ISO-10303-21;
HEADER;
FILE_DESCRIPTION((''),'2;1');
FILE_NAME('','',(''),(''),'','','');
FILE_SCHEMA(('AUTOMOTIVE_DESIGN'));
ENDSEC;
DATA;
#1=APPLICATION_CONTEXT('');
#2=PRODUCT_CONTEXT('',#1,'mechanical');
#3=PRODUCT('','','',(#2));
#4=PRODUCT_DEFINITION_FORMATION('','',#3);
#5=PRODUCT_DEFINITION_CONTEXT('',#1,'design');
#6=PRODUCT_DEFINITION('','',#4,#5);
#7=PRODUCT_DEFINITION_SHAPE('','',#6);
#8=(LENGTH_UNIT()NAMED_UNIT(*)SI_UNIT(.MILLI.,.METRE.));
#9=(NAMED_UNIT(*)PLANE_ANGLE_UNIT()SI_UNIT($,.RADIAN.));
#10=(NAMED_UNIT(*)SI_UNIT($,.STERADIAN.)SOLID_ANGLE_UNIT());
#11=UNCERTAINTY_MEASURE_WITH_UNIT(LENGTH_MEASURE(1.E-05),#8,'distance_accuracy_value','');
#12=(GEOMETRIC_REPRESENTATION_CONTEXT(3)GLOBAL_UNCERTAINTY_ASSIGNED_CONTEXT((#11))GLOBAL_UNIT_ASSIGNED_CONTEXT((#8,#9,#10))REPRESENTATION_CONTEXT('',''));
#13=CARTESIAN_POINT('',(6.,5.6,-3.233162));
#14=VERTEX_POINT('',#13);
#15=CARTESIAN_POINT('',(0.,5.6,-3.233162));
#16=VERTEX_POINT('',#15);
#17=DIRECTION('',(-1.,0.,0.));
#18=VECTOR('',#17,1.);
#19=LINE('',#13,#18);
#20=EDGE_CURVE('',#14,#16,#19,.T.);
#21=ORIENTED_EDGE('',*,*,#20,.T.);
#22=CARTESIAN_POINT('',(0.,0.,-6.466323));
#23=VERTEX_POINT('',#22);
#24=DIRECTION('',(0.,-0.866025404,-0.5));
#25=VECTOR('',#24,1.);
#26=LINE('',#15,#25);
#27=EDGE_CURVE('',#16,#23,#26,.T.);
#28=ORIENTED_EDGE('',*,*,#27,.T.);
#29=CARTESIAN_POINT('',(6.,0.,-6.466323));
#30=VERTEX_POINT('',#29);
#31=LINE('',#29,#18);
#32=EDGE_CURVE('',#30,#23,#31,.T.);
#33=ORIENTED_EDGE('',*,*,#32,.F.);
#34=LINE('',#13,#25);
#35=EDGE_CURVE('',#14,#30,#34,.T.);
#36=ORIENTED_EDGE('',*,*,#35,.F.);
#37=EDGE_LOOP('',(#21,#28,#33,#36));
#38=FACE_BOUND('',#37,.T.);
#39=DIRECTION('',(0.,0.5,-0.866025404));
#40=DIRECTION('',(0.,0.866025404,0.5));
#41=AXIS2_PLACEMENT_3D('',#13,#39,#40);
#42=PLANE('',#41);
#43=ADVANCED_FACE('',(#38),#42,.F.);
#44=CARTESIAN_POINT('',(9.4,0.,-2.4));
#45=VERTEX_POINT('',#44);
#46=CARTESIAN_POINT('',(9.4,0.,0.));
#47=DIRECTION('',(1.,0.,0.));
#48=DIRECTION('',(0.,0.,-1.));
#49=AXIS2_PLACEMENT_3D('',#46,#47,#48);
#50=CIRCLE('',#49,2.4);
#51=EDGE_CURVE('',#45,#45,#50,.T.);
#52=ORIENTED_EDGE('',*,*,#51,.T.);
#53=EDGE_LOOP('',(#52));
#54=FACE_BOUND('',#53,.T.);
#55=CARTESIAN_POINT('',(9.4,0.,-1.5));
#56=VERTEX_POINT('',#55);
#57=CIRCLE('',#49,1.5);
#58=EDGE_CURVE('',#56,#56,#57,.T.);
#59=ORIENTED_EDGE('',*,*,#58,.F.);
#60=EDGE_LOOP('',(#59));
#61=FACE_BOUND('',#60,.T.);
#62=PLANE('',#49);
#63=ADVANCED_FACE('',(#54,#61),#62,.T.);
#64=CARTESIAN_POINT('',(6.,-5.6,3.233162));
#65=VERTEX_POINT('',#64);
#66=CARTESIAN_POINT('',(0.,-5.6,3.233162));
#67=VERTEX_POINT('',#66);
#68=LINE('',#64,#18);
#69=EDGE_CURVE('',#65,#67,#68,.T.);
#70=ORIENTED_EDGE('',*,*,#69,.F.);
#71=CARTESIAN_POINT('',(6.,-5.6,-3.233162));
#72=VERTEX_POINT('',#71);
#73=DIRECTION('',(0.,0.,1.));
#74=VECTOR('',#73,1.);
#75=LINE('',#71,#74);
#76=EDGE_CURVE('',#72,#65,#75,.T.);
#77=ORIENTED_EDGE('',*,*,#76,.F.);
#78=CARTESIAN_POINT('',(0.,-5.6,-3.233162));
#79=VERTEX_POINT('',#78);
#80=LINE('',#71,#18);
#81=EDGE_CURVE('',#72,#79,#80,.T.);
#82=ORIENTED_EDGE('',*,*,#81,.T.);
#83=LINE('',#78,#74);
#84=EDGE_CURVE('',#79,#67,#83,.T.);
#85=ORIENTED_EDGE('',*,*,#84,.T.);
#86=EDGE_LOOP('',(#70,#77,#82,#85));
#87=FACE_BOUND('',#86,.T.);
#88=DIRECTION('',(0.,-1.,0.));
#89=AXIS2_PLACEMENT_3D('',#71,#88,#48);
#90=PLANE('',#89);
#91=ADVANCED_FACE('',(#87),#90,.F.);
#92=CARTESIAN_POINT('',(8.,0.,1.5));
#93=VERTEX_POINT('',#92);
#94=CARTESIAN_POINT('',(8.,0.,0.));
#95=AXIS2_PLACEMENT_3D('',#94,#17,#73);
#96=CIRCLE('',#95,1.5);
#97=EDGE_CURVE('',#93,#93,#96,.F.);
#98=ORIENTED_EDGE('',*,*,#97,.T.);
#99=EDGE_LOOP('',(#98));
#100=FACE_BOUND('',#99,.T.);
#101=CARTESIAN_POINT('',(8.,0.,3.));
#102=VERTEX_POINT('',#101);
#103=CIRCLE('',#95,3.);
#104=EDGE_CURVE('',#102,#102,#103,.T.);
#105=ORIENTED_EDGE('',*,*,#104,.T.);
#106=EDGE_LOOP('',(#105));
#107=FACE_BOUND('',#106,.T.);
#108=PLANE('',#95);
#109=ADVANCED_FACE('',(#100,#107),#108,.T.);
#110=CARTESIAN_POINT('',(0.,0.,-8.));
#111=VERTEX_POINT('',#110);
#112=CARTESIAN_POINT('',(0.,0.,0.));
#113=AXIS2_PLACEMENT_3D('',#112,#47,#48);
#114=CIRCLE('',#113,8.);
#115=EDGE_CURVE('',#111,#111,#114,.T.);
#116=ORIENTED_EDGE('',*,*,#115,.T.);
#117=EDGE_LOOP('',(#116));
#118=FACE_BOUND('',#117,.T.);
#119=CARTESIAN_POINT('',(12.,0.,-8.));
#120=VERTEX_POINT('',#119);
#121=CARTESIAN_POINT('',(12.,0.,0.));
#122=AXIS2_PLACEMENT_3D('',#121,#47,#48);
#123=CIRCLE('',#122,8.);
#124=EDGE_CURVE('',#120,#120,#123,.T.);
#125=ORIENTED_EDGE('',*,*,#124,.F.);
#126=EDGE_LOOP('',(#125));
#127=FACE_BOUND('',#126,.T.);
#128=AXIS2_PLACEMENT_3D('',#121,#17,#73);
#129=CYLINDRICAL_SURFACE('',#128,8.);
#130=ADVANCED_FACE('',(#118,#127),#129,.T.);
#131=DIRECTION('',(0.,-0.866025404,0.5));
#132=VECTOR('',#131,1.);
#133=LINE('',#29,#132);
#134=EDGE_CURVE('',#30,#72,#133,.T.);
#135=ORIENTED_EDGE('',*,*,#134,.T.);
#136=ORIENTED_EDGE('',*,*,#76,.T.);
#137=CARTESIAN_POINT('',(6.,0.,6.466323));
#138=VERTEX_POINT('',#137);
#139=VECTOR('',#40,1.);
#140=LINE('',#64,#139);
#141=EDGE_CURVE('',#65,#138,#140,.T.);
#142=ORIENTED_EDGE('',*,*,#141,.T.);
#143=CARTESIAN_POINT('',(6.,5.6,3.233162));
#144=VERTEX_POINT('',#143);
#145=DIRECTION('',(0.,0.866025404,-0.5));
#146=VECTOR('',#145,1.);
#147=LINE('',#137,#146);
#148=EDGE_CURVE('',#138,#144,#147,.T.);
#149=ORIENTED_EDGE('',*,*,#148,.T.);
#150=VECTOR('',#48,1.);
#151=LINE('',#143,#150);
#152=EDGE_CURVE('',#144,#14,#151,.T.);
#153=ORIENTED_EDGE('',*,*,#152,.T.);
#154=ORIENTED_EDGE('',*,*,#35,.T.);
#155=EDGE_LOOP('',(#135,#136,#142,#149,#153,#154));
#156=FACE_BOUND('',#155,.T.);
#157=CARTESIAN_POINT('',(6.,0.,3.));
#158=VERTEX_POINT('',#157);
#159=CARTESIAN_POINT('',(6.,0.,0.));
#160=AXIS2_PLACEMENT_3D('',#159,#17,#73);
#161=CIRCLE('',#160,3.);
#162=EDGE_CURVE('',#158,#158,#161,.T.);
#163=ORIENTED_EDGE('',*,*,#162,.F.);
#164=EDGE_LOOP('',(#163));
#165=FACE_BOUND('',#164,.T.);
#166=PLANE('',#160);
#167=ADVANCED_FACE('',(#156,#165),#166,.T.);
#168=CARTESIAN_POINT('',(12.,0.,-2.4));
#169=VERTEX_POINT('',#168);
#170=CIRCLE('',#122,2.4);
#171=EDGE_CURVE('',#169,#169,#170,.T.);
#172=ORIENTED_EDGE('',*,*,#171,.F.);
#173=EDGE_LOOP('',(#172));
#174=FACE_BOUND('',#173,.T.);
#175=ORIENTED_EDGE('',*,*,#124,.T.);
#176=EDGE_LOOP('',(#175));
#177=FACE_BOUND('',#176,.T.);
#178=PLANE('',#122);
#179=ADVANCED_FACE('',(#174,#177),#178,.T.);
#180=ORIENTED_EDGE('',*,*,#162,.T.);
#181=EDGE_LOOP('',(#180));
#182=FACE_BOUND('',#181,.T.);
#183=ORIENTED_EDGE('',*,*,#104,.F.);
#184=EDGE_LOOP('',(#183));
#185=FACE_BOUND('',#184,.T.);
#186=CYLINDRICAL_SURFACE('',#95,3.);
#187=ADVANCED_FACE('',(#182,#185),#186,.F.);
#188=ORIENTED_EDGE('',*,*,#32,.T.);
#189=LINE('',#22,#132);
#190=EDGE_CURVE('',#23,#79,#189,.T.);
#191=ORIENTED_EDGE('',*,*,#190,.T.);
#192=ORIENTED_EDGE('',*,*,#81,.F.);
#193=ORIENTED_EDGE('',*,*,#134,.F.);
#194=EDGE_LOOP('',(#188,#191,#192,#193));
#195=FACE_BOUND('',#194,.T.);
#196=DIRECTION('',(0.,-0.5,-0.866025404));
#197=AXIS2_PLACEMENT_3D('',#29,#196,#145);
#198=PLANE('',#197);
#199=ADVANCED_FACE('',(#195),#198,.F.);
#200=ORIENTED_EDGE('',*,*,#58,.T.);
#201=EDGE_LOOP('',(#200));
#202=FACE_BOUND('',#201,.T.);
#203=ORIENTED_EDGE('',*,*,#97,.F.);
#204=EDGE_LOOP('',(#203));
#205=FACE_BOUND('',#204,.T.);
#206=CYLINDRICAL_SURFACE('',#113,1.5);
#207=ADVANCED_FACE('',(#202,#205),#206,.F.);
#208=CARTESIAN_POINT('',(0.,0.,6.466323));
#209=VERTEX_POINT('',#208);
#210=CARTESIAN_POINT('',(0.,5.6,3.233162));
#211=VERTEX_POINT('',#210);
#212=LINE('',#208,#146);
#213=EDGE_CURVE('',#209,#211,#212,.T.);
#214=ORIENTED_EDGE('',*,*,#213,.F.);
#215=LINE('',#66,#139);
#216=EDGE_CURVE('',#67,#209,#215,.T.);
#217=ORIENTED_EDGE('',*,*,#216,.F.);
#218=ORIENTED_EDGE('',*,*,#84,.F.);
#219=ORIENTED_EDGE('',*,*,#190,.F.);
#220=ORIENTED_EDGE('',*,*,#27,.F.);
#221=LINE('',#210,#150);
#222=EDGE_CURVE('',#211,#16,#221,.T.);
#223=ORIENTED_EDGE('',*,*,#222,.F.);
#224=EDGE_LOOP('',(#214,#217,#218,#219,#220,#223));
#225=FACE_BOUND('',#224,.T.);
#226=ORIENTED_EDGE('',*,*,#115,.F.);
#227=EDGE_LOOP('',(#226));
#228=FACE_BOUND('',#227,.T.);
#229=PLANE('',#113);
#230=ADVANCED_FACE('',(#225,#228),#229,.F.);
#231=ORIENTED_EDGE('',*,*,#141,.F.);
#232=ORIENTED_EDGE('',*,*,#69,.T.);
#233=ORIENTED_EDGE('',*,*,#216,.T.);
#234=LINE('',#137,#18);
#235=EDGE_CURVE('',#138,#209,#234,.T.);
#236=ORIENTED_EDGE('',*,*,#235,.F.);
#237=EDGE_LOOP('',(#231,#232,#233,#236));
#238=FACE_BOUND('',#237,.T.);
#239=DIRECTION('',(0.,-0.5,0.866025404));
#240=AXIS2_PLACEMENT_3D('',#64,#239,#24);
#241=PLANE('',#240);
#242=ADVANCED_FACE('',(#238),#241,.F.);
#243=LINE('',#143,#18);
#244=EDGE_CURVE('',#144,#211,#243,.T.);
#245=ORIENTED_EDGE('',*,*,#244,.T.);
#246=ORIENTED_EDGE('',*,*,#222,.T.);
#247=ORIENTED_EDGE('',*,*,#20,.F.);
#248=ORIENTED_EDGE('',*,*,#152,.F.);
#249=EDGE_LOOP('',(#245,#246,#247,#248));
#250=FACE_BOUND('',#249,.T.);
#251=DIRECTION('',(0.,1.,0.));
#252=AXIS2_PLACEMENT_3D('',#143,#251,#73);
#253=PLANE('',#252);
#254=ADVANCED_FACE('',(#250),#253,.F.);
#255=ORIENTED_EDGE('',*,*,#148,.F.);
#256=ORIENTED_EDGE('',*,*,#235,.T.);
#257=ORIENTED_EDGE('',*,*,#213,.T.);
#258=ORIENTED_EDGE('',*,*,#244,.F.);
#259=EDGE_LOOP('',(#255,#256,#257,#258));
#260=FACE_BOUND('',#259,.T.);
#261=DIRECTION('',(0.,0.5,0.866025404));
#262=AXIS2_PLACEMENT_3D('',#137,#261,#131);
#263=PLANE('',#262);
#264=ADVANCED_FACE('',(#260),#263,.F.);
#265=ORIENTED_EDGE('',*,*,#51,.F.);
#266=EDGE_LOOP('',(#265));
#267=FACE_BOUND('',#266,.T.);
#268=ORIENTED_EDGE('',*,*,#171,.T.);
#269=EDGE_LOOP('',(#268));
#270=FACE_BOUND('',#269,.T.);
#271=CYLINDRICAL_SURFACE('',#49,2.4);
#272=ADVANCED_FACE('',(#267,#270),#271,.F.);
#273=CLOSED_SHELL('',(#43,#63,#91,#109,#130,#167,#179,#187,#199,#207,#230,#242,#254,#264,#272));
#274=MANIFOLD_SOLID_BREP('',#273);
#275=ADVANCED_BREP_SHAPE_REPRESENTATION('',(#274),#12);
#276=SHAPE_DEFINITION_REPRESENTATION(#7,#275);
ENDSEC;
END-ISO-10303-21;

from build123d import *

# Parameters (mm, degrees)
SKETCH1_R           = 8
BOSS_EXTRUDE1_DEPTH = 12
CUT_EXTRUDE1_DEPTH  = 6
SKETCH3_R           = 2.4
CUT_EXTRUDE2_DEPTH  = 2.6
SKETCH4_R           = 1.5
CUT_EXTRUDE3_DEPTH  = 10.4
SKETCH5_R           = 3
CUT_EXTRUDE4_DEPTH  = 2


with BuildPart() as part:
    # Sketch1 → Boss-Extrude1 (new body)
    with BuildSketch(Plane(origin=(0, 0, 0), x_dir=(0, 0, -1), z_dir=(1, 0, 0))):
        Circle(SKETCH1_R)
    extrude(amount=BOSS_EXTRUDE1_DEPTH)

    # Sketch2 → Cut-Extrude1 (cut)
    with BuildSketch(Plane.ZY):
        Polygon((6.466323015, 0), (3.233161507, 5.6), (-3.233161507, 5.6), (-6.466323015, 0), (-3.233161507, -5.6), (3.233161507, -5.6), align=None)
    extrude(amount=-CUT_EXTRUDE1_DEPTH, mode=Mode.SUBTRACT)

    # Sketch3 → Cut-Extrude2 (cut)
    with BuildSketch(Plane(origin=(12, 0, 0), x_dir=(0, 0, -1), z_dir=(1, 0, 0))):
        Circle(SKETCH3_R)
    extrude(amount=-CUT_EXTRUDE2_DEPTH, mode=Mode.SUBTRACT)

    # Sketch4 → Cut-Extrude3 (cut, through all)
    with BuildSketch(Plane(origin=(9.4, 0, 0), x_dir=(0, 0, -1), z_dir=(1, 0, 0))):
        Circle(SKETCH4_R)
    extrude(amount=-CUT_EXTRUDE3_DEPTH, mode=Mode.SUBTRACT)

    # Sketch5 → Cut-Extrude4 (cut)
    with BuildSketch(Plane.ZY.offset(-6)):
        Circle(SKETCH5_R)
    extrude(amount=-CUT_EXTRUDE4_DEPTH, mode=Mode.SUBTRACT)


solid = part.part
